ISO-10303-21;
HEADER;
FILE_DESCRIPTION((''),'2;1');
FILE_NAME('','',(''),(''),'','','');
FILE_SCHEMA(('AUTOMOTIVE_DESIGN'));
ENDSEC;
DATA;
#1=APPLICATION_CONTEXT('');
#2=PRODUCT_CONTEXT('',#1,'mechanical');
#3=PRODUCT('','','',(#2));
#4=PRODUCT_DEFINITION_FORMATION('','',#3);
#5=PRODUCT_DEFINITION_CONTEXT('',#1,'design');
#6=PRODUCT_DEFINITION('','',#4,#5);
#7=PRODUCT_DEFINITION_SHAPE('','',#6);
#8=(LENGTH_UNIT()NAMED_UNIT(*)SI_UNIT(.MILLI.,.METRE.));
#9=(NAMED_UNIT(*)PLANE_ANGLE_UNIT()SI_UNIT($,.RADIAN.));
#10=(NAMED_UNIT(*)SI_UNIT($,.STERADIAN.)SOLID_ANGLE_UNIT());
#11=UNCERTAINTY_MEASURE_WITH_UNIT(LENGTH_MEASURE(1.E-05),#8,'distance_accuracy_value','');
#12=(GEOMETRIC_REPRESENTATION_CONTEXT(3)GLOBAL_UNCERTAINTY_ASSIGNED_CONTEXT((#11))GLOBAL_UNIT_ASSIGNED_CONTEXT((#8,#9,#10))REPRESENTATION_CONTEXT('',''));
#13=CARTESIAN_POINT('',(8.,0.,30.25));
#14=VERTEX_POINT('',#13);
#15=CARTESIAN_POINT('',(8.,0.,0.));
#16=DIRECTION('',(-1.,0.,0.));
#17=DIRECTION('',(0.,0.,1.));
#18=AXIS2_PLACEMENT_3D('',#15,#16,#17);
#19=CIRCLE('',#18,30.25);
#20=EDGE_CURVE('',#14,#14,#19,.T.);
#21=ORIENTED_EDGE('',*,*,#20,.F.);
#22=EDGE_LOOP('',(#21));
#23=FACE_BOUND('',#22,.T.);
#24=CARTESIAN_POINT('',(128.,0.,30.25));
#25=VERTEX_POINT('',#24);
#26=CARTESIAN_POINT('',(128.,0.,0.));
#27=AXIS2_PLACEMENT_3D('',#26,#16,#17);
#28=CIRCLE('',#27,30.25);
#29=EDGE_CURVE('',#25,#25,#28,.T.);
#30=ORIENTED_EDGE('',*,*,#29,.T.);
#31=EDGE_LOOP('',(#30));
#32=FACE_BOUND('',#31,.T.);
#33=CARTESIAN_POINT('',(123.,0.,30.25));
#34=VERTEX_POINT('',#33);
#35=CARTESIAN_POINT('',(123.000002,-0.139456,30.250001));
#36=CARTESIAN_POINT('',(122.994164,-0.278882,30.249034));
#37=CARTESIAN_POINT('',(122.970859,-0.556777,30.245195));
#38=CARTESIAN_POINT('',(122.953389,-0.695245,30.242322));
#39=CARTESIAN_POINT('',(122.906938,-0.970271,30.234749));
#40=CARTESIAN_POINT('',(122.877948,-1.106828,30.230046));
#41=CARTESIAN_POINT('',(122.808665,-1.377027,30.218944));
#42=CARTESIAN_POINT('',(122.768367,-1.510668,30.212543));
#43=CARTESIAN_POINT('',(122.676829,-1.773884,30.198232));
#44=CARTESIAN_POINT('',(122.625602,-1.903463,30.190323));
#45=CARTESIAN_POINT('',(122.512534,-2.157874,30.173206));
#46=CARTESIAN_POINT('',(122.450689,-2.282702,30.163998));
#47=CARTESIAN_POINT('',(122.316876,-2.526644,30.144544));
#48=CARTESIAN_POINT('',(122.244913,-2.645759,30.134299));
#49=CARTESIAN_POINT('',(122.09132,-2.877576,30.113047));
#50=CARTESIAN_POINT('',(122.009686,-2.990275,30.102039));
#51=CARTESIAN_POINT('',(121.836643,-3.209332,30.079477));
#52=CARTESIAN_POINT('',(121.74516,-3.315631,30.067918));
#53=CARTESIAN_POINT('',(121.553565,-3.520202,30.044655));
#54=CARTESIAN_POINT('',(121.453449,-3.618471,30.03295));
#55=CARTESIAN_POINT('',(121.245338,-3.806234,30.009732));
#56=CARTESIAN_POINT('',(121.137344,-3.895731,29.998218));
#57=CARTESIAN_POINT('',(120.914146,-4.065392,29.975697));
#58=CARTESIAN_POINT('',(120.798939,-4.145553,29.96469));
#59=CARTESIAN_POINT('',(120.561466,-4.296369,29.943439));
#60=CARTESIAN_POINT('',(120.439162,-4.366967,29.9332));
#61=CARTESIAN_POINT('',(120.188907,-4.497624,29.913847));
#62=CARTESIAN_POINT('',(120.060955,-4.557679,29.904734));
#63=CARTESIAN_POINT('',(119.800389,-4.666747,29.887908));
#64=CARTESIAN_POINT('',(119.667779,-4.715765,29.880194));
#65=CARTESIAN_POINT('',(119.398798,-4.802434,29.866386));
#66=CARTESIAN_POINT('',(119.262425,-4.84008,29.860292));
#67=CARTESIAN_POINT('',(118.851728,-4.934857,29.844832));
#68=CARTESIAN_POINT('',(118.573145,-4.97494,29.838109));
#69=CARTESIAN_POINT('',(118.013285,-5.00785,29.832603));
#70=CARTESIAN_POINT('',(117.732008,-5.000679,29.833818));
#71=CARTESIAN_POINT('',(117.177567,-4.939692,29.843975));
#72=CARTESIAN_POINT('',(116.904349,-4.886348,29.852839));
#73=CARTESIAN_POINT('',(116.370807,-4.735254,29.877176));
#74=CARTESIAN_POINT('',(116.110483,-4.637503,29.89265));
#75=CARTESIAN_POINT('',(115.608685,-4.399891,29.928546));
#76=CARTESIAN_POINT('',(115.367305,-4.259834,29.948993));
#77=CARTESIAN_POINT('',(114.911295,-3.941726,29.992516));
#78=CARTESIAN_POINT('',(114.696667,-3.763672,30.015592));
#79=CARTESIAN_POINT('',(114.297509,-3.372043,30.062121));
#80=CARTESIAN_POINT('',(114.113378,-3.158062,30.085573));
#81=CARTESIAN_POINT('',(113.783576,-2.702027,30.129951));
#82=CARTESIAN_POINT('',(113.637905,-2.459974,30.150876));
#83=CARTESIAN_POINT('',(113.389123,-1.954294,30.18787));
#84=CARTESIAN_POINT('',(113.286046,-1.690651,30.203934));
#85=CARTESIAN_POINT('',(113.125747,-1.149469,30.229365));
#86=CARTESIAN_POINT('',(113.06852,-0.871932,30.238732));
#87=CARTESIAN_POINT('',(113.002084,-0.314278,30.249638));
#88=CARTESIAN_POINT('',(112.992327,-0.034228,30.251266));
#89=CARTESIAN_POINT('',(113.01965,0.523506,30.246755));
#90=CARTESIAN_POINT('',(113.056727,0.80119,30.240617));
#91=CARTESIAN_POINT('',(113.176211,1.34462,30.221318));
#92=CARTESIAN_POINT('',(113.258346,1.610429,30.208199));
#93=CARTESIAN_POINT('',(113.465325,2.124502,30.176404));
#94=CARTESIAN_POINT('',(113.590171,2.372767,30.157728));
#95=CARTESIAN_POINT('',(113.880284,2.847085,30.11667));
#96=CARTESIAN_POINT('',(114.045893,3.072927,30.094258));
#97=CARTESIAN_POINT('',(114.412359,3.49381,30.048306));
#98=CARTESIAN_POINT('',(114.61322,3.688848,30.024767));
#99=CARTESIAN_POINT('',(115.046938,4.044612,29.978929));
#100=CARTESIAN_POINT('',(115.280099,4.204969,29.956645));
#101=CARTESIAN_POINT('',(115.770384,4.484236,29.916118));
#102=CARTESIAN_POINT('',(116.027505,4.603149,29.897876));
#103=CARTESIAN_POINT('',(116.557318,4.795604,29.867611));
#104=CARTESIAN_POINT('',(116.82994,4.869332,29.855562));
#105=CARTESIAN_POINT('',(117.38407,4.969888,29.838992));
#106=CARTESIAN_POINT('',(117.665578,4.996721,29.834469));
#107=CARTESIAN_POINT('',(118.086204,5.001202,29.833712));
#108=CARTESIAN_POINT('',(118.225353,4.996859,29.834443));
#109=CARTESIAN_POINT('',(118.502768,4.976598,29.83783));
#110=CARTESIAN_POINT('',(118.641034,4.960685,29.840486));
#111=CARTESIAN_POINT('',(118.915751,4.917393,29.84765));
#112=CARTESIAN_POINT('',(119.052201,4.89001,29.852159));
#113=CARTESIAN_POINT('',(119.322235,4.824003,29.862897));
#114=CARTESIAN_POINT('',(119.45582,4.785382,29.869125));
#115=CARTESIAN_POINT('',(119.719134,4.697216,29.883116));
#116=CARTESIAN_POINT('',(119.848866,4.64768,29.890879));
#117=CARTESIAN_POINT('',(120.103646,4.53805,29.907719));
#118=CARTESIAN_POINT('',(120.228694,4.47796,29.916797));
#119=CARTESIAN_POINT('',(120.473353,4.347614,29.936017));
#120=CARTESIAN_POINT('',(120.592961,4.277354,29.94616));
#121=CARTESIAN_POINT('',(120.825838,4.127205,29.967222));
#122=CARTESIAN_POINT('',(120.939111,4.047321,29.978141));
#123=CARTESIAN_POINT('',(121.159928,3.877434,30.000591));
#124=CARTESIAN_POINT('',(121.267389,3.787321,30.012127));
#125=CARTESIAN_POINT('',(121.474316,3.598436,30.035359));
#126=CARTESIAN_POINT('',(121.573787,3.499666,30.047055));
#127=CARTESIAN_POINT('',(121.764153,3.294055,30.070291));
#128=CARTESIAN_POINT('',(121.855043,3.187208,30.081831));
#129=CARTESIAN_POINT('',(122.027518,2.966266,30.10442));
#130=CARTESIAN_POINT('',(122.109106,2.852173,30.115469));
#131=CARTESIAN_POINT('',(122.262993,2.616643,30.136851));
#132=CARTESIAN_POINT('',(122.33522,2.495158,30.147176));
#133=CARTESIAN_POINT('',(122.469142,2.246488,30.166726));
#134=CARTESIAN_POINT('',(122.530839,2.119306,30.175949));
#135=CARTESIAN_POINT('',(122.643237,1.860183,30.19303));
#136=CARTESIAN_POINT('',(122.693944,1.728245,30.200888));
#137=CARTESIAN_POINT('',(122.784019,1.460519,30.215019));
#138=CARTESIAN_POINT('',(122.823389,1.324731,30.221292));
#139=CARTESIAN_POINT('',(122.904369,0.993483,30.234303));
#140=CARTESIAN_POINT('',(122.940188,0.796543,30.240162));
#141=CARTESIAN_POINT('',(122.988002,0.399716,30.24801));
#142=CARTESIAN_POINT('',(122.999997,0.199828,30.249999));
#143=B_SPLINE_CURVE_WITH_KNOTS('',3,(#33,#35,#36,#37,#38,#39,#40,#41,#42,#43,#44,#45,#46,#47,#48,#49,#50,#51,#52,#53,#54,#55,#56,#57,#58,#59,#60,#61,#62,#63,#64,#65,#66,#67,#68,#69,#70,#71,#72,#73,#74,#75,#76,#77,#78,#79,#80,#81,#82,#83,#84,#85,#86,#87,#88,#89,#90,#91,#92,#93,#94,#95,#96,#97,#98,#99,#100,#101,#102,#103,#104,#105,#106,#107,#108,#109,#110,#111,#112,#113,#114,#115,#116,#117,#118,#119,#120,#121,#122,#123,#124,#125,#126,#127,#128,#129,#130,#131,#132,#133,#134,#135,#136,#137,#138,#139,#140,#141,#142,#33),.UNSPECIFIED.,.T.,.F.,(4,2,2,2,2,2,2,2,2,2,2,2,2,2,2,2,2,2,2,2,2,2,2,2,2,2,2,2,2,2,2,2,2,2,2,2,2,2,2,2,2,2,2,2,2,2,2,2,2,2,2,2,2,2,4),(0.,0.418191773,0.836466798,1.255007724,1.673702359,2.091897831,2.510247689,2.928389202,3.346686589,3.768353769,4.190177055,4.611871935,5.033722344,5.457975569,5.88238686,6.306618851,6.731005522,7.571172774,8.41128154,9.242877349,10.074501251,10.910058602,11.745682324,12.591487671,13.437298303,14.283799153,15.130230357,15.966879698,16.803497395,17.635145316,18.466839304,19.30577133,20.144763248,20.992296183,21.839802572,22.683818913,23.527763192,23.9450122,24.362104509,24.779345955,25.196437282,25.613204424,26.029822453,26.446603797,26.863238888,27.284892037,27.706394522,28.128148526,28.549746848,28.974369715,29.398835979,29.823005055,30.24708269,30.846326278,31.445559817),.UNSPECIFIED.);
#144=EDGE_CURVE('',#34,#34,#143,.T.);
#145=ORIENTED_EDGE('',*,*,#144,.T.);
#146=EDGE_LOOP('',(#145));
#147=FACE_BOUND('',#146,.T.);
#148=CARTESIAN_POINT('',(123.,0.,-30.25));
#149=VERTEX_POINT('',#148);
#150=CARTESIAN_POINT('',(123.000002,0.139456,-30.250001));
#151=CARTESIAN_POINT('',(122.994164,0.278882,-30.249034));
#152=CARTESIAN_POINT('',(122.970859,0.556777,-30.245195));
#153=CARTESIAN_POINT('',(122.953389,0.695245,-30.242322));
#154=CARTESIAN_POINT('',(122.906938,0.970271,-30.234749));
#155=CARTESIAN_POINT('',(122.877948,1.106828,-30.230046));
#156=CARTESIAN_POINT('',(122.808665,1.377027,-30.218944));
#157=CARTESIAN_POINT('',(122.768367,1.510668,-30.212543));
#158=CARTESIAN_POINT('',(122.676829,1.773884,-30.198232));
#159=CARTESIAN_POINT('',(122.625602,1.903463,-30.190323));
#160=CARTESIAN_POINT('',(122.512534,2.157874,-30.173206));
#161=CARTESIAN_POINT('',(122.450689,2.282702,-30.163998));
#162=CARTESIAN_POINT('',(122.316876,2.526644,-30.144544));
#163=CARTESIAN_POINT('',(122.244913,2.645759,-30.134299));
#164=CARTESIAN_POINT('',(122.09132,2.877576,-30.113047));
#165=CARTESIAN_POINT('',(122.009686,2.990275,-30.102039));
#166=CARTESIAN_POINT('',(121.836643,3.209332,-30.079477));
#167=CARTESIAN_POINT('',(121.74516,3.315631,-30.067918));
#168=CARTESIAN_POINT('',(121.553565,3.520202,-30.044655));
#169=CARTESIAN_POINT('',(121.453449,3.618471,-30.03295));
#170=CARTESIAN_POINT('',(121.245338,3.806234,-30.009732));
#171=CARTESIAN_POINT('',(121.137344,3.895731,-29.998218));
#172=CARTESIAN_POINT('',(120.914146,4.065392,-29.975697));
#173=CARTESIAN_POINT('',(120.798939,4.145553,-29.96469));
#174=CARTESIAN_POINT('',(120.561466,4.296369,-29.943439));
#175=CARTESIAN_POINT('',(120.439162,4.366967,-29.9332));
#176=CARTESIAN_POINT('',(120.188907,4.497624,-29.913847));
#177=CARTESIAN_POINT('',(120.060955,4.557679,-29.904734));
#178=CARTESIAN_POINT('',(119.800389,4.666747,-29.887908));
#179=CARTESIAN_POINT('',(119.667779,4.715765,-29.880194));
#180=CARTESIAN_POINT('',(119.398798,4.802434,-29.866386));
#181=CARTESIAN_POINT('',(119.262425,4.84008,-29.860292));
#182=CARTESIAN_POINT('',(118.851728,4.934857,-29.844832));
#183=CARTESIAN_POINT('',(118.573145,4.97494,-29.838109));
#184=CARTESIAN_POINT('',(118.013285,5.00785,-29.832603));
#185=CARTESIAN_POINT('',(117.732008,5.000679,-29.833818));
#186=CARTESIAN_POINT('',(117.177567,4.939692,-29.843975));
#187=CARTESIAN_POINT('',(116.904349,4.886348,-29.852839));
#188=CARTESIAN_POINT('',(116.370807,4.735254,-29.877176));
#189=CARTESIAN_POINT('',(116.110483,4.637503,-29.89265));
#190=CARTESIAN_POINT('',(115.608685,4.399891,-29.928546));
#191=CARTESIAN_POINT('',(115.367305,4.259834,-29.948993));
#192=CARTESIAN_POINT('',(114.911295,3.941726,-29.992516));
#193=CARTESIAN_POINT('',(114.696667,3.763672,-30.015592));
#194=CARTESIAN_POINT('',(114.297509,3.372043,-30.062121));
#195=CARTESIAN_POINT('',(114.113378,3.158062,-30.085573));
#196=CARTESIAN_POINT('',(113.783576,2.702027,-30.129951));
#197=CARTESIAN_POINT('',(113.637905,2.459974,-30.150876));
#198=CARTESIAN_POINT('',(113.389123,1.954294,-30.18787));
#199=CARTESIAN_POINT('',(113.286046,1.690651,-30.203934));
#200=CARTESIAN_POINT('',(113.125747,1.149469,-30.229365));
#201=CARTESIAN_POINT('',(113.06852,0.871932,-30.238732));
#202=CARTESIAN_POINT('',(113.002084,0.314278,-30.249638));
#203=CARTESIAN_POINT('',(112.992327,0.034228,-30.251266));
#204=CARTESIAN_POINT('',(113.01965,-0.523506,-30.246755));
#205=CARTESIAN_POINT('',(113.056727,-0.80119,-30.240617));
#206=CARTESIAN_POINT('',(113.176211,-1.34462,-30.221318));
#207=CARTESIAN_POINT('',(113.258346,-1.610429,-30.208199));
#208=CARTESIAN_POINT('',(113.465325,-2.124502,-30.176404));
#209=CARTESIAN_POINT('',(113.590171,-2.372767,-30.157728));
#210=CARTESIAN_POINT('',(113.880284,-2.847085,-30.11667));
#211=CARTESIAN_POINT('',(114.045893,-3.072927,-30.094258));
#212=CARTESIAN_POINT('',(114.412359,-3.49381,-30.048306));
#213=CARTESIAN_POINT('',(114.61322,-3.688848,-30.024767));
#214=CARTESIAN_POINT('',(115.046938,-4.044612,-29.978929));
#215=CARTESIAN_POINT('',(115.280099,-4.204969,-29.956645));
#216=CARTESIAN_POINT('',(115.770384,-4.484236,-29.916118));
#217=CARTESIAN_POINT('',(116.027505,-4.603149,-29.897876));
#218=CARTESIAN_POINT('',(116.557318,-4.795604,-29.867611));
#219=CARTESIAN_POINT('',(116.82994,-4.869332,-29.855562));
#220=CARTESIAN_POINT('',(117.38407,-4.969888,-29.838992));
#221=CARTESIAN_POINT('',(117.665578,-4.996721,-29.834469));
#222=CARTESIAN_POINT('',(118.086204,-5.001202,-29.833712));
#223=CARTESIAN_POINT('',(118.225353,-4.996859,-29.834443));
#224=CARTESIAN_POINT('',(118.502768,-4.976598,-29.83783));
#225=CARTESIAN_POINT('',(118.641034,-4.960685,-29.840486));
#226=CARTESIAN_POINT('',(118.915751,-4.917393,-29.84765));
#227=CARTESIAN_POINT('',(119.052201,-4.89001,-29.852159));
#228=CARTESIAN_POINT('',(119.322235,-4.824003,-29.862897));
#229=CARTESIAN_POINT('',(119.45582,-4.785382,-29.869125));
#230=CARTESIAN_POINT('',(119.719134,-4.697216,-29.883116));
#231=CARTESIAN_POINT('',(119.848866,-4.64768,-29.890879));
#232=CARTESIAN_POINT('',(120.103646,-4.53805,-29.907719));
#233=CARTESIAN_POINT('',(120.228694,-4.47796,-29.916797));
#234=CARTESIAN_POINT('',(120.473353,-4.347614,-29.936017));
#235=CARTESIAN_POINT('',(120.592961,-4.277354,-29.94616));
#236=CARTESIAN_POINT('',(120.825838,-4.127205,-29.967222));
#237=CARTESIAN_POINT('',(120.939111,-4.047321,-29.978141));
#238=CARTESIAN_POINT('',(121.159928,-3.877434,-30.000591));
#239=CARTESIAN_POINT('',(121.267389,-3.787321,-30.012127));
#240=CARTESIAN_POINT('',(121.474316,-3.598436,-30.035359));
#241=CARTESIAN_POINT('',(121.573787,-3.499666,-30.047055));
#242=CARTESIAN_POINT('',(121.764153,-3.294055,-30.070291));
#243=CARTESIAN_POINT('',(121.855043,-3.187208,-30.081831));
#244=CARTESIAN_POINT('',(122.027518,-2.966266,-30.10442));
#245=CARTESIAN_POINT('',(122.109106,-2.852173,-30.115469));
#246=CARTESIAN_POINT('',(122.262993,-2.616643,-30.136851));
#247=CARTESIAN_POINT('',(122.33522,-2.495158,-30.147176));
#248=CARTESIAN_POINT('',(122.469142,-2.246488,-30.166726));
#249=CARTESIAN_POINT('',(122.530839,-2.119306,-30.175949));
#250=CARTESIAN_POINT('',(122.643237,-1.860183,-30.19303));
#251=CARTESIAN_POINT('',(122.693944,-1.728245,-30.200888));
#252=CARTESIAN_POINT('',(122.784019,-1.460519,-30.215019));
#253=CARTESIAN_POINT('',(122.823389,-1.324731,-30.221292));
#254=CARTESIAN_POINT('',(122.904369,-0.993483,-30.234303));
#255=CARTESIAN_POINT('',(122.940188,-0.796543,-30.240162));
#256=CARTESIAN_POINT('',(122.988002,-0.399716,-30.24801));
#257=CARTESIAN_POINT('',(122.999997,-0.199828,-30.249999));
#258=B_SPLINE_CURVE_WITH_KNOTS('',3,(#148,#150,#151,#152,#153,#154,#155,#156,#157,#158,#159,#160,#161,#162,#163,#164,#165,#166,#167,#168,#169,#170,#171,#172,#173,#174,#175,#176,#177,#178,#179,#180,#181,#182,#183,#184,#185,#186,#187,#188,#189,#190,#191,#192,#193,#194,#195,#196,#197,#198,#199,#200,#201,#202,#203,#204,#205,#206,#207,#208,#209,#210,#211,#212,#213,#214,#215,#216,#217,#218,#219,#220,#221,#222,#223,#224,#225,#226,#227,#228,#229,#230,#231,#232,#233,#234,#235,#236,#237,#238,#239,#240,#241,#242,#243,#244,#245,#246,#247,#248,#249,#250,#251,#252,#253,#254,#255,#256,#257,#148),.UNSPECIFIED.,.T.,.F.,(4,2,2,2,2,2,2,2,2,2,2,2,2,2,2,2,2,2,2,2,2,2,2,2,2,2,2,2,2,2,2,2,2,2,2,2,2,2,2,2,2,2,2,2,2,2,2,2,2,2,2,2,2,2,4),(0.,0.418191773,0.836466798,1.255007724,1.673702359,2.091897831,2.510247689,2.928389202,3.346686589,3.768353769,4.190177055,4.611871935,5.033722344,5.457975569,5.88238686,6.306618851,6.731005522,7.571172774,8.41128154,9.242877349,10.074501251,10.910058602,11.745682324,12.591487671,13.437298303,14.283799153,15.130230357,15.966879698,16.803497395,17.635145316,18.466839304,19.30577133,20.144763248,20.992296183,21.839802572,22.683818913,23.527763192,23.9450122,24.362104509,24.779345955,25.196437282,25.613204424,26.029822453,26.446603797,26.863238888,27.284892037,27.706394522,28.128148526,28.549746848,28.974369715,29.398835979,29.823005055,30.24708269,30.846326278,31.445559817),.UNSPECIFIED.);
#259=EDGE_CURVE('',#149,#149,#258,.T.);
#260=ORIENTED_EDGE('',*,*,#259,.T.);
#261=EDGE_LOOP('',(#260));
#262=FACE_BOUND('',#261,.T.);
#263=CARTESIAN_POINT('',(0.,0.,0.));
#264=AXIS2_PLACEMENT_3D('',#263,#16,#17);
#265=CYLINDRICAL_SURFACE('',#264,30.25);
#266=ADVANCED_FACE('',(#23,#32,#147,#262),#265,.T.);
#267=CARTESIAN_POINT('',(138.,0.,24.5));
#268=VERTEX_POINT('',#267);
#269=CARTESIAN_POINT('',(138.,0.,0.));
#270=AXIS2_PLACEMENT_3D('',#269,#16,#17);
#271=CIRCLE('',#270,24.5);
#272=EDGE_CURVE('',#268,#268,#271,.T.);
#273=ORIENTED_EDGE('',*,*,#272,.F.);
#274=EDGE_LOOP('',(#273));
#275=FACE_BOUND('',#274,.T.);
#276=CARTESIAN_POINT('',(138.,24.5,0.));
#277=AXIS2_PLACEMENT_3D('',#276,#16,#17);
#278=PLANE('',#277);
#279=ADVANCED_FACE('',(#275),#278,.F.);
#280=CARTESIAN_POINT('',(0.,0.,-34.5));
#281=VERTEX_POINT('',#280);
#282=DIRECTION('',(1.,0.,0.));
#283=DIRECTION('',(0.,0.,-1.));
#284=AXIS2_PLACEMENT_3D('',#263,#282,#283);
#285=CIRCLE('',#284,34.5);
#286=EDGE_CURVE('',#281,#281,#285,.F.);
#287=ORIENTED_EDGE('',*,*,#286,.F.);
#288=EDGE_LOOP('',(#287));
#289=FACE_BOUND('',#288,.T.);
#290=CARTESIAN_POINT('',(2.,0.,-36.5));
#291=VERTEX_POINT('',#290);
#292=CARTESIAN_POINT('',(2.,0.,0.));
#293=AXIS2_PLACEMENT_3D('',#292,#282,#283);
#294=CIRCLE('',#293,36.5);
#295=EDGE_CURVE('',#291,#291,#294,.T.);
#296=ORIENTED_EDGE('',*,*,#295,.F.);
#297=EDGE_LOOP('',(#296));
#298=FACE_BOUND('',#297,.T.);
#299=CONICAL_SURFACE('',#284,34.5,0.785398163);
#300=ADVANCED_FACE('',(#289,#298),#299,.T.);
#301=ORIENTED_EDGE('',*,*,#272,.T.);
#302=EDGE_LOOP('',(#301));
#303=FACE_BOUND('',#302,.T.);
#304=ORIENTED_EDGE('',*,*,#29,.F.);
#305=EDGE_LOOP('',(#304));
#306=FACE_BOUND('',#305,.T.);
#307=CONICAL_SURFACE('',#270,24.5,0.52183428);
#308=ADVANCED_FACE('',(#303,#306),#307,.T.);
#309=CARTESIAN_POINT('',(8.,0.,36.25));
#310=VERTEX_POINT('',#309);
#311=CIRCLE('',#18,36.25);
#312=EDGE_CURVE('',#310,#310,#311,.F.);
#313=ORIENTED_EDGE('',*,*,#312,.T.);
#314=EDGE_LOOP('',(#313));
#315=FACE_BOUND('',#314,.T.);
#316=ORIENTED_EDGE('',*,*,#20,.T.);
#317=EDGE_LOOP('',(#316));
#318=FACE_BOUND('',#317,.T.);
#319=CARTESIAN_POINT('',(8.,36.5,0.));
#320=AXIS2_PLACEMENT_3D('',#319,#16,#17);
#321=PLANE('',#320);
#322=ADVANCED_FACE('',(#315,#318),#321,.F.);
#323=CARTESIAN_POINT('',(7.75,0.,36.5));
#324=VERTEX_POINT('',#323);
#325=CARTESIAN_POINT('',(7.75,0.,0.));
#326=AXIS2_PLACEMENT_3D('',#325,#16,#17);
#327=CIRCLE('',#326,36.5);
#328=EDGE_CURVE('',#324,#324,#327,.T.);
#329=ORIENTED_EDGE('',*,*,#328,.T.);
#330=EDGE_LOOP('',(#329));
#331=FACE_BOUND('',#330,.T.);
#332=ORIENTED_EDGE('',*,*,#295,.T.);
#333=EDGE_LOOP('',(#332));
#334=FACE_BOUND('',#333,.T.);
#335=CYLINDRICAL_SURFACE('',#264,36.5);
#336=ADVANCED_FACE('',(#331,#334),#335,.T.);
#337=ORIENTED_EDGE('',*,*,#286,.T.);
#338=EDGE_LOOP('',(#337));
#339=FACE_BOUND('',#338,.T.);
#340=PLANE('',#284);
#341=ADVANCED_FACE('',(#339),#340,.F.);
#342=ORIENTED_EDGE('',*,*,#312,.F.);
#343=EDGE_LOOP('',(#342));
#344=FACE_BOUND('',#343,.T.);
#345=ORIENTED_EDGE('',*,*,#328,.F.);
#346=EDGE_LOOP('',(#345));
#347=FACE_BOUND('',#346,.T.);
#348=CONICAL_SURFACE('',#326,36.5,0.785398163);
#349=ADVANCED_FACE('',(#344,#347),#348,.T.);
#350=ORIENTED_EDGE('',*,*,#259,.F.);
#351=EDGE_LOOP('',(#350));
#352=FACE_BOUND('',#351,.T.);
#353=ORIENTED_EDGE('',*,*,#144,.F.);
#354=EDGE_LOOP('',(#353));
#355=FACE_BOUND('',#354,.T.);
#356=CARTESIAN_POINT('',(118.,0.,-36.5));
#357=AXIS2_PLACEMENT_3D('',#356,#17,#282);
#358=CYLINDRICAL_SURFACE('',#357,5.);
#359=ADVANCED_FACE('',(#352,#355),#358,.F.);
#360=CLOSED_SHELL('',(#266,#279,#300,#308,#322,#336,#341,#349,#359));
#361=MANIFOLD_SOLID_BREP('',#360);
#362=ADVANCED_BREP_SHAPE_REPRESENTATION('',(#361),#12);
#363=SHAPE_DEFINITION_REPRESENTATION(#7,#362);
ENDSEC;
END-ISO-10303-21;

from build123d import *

# Parameters (mm, degrees)
CHAMFER_1_SIZE      = 2
SKETCH_2_R          = 5
CUT_EXTRUDE_1_DEPTH = 162.952153428
CHAMFER_2_SIZE      = 0.25


with BuildPart() as part:
    # 草图1 → 旋转1 (revolve)
    with BuildSketch(Plane.XY, mode=Mode.PRIVATE) as revolve_1_sk:
        Polygon((0, 0), (0, 36.5), (8, 36.5), (8, 30.25), (128, 30.25), (138, 24.5), (138, 0), align=None)
    revolve(revolve_1_sk.sketch.rotate(Axis((0, 0, 0), (1, 0, 0)), 90), axis=Axis((0, 0, 0), (1, 0, 0)))

    # 倒角1
    chamfer_1_edges = [part.edges().sort_by_distance(p)[0] for p in [
        (0, 0, -36.5),
    ]]
    chamfer(chamfer_1_edges, length=CHAMFER_1_SIZE)

    # 草图2 → 切除-拉伸1 (cut, through all)
    with BuildSketch(Plane.XY.offset(40)):
        with Locations((118, 0)):
            Circle(SKETCH_2_R)
    extrude(amount=-CUT_EXTRUDE_1_DEPTH, mode=Mode.SUBTRACT)

    # 倒角2
    chamfer_2_edges = [part.edges().sort_by_distance(p)[0] for p in [
        (8, 0, -36.5),
    ]]
    chamfer(chamfer_2_edges, length=CHAMFER_2_SIZE)


solid = part.part
